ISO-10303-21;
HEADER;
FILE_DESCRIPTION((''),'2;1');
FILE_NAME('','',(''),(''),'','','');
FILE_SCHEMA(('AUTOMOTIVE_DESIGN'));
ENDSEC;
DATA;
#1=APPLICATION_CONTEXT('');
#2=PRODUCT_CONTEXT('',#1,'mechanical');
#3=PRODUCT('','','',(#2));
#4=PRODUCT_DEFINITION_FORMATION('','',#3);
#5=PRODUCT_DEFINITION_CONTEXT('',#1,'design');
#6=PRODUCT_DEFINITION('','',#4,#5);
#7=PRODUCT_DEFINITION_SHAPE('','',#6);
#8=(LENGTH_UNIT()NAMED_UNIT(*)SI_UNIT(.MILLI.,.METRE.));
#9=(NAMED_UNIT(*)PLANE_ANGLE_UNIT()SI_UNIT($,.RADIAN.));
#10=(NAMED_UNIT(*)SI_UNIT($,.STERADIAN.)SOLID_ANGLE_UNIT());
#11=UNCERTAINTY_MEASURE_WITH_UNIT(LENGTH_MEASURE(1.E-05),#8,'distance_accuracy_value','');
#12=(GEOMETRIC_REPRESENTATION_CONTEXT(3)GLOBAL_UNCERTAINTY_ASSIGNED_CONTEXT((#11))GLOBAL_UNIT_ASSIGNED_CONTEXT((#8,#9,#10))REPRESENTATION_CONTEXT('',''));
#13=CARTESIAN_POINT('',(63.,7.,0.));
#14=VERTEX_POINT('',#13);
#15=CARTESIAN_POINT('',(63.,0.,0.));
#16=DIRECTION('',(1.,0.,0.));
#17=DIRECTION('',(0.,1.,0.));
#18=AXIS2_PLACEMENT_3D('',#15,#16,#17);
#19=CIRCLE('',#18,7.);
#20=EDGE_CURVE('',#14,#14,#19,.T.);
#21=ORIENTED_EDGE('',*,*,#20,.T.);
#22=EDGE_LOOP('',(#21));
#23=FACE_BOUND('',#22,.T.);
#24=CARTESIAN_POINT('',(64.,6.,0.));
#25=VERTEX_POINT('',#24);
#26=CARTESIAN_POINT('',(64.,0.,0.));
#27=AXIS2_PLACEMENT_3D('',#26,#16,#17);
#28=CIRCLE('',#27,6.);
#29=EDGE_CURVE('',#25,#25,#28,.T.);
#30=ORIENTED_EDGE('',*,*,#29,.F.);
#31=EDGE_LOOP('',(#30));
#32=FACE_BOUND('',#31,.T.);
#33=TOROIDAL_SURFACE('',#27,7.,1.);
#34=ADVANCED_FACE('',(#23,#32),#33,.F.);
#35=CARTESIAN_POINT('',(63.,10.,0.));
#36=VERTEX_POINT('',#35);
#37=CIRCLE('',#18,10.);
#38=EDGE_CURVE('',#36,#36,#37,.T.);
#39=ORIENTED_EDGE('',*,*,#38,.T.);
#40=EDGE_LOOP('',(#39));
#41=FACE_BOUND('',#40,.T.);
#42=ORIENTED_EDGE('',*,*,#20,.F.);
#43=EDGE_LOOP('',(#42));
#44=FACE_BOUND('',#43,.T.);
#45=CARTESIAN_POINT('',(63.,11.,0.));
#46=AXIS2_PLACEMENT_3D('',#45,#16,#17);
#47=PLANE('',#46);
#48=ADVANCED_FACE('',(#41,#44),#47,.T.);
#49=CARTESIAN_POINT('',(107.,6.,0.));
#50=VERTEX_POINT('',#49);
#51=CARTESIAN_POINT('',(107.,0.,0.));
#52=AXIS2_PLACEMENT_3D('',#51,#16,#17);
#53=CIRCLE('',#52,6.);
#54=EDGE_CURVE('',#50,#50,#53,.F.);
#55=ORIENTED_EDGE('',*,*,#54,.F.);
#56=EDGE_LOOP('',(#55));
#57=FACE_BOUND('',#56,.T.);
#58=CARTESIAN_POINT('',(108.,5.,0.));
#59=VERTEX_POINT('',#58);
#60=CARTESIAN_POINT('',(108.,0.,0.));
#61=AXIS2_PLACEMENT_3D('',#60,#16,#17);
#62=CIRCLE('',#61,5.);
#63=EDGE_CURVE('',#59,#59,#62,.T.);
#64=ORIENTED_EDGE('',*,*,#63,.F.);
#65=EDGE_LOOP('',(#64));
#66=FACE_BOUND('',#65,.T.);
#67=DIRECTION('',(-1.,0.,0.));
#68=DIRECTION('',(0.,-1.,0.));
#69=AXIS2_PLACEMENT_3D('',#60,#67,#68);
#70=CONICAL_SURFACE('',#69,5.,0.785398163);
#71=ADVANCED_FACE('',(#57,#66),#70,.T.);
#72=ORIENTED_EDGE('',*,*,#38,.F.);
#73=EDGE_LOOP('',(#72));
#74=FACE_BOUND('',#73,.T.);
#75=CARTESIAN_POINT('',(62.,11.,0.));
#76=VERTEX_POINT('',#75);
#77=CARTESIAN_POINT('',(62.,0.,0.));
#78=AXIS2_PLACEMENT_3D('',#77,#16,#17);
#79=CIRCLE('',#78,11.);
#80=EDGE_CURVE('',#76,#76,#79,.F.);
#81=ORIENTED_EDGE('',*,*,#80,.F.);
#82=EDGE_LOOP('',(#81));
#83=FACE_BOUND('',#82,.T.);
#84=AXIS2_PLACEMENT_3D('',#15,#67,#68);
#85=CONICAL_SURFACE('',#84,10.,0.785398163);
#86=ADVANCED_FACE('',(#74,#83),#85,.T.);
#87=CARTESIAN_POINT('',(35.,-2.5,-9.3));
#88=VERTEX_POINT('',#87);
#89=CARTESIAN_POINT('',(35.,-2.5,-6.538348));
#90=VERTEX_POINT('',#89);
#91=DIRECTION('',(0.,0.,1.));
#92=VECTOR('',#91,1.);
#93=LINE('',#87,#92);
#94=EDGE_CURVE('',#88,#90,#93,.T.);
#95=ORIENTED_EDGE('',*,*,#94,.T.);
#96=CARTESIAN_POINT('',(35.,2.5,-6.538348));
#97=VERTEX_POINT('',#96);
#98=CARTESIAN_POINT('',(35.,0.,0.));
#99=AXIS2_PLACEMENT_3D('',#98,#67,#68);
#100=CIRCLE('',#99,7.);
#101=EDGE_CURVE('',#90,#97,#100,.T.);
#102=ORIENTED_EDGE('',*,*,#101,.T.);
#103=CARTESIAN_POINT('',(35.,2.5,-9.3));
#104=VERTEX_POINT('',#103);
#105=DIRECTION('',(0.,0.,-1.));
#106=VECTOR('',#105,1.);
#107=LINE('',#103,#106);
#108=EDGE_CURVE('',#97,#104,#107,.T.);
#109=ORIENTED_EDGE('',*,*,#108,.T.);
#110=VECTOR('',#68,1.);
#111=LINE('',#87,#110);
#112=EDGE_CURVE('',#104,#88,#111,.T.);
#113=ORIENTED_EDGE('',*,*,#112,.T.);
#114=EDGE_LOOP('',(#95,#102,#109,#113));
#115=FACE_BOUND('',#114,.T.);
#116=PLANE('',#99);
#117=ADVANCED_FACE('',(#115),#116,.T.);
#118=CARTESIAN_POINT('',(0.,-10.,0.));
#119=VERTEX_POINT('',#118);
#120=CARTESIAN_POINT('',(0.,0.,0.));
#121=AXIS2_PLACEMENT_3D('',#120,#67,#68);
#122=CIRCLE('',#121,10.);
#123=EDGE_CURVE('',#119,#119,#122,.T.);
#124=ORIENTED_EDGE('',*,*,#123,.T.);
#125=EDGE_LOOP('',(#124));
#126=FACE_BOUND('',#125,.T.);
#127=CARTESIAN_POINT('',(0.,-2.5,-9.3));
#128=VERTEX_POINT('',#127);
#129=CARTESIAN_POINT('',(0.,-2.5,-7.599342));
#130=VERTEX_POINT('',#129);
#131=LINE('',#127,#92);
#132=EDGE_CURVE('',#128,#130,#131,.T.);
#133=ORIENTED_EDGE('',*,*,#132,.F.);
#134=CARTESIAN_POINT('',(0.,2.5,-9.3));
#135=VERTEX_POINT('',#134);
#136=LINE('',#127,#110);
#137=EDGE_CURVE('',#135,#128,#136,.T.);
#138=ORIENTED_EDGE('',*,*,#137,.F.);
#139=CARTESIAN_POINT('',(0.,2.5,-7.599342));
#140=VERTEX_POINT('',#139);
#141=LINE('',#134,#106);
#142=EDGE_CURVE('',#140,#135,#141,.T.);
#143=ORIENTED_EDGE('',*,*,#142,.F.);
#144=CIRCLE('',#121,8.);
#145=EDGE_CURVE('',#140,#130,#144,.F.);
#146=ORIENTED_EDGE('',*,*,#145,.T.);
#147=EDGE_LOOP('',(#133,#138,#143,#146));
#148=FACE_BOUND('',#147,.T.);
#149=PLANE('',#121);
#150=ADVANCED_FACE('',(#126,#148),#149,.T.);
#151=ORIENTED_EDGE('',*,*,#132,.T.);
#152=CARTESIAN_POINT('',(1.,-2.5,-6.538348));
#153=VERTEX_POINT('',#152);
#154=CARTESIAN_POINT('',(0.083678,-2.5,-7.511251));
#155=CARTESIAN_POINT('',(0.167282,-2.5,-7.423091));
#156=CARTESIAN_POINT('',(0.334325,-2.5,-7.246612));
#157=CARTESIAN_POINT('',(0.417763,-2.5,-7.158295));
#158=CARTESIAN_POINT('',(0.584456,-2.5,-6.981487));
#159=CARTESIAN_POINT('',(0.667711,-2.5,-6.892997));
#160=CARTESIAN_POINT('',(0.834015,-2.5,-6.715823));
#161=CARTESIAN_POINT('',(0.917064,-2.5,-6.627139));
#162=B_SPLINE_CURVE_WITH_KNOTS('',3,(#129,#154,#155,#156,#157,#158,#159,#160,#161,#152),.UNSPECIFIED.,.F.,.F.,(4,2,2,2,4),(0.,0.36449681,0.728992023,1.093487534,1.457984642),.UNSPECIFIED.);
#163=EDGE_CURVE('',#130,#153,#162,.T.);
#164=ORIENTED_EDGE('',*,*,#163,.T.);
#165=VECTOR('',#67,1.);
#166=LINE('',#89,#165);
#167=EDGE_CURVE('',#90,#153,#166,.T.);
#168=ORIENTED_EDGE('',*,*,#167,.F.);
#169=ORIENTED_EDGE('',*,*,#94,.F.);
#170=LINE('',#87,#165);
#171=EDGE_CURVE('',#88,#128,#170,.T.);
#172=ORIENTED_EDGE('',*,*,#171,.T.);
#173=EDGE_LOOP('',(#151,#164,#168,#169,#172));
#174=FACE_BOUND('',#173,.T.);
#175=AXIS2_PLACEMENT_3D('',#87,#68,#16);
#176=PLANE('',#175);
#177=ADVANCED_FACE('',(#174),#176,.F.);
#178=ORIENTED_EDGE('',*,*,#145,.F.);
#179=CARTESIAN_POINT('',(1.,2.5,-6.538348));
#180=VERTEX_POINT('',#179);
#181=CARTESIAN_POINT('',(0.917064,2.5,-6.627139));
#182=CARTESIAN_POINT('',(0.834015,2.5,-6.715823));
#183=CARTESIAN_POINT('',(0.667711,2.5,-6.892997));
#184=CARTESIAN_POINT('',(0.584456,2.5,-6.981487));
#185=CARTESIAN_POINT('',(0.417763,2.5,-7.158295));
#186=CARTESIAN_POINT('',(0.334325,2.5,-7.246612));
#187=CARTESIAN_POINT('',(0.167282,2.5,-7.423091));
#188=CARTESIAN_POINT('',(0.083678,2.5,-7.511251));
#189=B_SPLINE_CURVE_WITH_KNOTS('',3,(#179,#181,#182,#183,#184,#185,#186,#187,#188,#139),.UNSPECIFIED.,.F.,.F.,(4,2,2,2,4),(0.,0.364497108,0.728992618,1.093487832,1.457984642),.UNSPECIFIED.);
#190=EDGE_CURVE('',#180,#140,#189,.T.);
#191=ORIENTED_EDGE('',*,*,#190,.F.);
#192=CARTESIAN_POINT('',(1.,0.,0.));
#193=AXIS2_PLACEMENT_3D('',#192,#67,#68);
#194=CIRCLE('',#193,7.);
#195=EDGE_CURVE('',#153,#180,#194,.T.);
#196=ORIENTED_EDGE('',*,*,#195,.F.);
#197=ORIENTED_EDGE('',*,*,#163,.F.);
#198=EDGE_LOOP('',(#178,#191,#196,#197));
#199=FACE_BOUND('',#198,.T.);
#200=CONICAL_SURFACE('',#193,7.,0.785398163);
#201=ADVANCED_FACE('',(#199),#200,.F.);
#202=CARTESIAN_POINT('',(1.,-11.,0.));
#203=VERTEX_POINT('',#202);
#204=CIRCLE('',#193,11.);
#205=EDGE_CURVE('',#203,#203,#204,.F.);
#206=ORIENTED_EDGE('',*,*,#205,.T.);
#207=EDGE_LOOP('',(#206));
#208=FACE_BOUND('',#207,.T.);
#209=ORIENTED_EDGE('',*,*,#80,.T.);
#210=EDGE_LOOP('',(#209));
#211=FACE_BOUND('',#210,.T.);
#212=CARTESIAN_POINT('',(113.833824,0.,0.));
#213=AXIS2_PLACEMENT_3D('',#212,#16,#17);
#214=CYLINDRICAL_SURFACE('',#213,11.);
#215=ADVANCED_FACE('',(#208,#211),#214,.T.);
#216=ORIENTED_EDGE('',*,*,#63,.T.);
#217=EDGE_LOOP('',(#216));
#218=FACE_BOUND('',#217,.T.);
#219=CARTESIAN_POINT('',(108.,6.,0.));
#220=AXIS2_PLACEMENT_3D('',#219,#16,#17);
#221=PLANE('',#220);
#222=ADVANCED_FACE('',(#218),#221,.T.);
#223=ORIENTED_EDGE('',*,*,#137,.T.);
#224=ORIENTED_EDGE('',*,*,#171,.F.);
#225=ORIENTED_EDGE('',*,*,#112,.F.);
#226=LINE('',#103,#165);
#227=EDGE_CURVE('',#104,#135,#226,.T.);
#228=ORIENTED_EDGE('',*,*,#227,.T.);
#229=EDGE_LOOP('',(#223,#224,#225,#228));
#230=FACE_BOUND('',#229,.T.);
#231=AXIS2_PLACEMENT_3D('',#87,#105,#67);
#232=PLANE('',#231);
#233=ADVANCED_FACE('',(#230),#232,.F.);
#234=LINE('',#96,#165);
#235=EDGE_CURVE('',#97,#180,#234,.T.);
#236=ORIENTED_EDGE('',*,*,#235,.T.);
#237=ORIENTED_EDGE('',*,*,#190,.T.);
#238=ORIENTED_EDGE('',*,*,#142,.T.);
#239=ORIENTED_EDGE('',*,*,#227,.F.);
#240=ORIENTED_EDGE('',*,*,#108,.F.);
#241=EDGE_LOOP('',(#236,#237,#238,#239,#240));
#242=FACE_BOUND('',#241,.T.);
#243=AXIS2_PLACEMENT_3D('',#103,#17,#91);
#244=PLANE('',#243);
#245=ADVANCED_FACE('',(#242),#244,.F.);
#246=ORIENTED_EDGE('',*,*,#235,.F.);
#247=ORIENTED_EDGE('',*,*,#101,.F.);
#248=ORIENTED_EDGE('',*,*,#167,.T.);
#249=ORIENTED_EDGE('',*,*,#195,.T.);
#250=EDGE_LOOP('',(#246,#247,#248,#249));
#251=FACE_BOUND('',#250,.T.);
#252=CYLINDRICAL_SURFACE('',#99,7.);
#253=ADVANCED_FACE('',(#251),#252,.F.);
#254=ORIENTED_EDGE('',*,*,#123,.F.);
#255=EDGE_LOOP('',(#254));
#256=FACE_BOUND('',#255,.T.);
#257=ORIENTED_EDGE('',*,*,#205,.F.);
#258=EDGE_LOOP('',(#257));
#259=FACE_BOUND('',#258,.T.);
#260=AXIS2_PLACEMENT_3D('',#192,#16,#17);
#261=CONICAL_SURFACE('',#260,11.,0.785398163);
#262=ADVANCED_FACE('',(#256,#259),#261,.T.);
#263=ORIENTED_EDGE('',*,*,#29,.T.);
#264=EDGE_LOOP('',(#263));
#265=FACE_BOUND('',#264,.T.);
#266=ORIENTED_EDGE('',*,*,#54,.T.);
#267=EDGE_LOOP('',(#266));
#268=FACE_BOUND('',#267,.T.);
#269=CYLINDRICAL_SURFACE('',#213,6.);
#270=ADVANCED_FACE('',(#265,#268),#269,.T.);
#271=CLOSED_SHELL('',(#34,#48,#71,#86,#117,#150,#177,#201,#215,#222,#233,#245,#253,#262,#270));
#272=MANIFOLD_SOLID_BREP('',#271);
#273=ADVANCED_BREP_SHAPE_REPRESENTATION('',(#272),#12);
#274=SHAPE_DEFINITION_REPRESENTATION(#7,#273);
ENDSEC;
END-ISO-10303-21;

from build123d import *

# Parameters (mm, degrees)
CUT_EXTRUDE1_DEPTH = 35
CHAMFER2_SIZE      = 1


with BuildPart() as part:
    # Sketch1 → Revolve1 (revolve)
    with BuildSketch(Plane.XY):
        with BuildLine():
            Line((0, 0), (0, 11))
            Line((0, 11), (63, 11))
            Line((63, 11), (63, 7))
            ThreePointArc((63, 7), (63.292893219, 6.292893219), (64, 6))
            Line((64, 6), (108, 6))
            Line((108, 6), (108, 0))
            Line((108, 0), (0, 0))
        make_face()
    revolve(axis=Axis((113.833823868, 0, 0), (-1, 0, 0)))

    # Sketch2 → Cut-Extrude1 (cut)
    with BuildSketch(Plane.ZY):
        with BuildLine():
            Line((-9.3, -2.5), (-6.538348415, -2.5))
            ThreePointArc((-6.538348415, -2.5), (7, 0), (-6.538348415, 2.5))
            Line((-6.538348415, 2.5), (-9.3, 2.5))
            Line((-9.3, 2.5), (-9.3, -2.5))
        make_face()
    extrude(amount=-CUT_EXTRUDE1_DEPTH, mode=Mode.SUBTRACT)

    # Chamfer2
    chamfer2_edges = [part.edges().sort_by_distance(p)[0] for p in [
        (0, 0, 7),
        (0, -11, 0),
        (63, -11, 0),
        (108, -6, 0),
    ]]
    chamfer(chamfer2_edges, length=CHAMFER2_SIZE)


solid = part.part
